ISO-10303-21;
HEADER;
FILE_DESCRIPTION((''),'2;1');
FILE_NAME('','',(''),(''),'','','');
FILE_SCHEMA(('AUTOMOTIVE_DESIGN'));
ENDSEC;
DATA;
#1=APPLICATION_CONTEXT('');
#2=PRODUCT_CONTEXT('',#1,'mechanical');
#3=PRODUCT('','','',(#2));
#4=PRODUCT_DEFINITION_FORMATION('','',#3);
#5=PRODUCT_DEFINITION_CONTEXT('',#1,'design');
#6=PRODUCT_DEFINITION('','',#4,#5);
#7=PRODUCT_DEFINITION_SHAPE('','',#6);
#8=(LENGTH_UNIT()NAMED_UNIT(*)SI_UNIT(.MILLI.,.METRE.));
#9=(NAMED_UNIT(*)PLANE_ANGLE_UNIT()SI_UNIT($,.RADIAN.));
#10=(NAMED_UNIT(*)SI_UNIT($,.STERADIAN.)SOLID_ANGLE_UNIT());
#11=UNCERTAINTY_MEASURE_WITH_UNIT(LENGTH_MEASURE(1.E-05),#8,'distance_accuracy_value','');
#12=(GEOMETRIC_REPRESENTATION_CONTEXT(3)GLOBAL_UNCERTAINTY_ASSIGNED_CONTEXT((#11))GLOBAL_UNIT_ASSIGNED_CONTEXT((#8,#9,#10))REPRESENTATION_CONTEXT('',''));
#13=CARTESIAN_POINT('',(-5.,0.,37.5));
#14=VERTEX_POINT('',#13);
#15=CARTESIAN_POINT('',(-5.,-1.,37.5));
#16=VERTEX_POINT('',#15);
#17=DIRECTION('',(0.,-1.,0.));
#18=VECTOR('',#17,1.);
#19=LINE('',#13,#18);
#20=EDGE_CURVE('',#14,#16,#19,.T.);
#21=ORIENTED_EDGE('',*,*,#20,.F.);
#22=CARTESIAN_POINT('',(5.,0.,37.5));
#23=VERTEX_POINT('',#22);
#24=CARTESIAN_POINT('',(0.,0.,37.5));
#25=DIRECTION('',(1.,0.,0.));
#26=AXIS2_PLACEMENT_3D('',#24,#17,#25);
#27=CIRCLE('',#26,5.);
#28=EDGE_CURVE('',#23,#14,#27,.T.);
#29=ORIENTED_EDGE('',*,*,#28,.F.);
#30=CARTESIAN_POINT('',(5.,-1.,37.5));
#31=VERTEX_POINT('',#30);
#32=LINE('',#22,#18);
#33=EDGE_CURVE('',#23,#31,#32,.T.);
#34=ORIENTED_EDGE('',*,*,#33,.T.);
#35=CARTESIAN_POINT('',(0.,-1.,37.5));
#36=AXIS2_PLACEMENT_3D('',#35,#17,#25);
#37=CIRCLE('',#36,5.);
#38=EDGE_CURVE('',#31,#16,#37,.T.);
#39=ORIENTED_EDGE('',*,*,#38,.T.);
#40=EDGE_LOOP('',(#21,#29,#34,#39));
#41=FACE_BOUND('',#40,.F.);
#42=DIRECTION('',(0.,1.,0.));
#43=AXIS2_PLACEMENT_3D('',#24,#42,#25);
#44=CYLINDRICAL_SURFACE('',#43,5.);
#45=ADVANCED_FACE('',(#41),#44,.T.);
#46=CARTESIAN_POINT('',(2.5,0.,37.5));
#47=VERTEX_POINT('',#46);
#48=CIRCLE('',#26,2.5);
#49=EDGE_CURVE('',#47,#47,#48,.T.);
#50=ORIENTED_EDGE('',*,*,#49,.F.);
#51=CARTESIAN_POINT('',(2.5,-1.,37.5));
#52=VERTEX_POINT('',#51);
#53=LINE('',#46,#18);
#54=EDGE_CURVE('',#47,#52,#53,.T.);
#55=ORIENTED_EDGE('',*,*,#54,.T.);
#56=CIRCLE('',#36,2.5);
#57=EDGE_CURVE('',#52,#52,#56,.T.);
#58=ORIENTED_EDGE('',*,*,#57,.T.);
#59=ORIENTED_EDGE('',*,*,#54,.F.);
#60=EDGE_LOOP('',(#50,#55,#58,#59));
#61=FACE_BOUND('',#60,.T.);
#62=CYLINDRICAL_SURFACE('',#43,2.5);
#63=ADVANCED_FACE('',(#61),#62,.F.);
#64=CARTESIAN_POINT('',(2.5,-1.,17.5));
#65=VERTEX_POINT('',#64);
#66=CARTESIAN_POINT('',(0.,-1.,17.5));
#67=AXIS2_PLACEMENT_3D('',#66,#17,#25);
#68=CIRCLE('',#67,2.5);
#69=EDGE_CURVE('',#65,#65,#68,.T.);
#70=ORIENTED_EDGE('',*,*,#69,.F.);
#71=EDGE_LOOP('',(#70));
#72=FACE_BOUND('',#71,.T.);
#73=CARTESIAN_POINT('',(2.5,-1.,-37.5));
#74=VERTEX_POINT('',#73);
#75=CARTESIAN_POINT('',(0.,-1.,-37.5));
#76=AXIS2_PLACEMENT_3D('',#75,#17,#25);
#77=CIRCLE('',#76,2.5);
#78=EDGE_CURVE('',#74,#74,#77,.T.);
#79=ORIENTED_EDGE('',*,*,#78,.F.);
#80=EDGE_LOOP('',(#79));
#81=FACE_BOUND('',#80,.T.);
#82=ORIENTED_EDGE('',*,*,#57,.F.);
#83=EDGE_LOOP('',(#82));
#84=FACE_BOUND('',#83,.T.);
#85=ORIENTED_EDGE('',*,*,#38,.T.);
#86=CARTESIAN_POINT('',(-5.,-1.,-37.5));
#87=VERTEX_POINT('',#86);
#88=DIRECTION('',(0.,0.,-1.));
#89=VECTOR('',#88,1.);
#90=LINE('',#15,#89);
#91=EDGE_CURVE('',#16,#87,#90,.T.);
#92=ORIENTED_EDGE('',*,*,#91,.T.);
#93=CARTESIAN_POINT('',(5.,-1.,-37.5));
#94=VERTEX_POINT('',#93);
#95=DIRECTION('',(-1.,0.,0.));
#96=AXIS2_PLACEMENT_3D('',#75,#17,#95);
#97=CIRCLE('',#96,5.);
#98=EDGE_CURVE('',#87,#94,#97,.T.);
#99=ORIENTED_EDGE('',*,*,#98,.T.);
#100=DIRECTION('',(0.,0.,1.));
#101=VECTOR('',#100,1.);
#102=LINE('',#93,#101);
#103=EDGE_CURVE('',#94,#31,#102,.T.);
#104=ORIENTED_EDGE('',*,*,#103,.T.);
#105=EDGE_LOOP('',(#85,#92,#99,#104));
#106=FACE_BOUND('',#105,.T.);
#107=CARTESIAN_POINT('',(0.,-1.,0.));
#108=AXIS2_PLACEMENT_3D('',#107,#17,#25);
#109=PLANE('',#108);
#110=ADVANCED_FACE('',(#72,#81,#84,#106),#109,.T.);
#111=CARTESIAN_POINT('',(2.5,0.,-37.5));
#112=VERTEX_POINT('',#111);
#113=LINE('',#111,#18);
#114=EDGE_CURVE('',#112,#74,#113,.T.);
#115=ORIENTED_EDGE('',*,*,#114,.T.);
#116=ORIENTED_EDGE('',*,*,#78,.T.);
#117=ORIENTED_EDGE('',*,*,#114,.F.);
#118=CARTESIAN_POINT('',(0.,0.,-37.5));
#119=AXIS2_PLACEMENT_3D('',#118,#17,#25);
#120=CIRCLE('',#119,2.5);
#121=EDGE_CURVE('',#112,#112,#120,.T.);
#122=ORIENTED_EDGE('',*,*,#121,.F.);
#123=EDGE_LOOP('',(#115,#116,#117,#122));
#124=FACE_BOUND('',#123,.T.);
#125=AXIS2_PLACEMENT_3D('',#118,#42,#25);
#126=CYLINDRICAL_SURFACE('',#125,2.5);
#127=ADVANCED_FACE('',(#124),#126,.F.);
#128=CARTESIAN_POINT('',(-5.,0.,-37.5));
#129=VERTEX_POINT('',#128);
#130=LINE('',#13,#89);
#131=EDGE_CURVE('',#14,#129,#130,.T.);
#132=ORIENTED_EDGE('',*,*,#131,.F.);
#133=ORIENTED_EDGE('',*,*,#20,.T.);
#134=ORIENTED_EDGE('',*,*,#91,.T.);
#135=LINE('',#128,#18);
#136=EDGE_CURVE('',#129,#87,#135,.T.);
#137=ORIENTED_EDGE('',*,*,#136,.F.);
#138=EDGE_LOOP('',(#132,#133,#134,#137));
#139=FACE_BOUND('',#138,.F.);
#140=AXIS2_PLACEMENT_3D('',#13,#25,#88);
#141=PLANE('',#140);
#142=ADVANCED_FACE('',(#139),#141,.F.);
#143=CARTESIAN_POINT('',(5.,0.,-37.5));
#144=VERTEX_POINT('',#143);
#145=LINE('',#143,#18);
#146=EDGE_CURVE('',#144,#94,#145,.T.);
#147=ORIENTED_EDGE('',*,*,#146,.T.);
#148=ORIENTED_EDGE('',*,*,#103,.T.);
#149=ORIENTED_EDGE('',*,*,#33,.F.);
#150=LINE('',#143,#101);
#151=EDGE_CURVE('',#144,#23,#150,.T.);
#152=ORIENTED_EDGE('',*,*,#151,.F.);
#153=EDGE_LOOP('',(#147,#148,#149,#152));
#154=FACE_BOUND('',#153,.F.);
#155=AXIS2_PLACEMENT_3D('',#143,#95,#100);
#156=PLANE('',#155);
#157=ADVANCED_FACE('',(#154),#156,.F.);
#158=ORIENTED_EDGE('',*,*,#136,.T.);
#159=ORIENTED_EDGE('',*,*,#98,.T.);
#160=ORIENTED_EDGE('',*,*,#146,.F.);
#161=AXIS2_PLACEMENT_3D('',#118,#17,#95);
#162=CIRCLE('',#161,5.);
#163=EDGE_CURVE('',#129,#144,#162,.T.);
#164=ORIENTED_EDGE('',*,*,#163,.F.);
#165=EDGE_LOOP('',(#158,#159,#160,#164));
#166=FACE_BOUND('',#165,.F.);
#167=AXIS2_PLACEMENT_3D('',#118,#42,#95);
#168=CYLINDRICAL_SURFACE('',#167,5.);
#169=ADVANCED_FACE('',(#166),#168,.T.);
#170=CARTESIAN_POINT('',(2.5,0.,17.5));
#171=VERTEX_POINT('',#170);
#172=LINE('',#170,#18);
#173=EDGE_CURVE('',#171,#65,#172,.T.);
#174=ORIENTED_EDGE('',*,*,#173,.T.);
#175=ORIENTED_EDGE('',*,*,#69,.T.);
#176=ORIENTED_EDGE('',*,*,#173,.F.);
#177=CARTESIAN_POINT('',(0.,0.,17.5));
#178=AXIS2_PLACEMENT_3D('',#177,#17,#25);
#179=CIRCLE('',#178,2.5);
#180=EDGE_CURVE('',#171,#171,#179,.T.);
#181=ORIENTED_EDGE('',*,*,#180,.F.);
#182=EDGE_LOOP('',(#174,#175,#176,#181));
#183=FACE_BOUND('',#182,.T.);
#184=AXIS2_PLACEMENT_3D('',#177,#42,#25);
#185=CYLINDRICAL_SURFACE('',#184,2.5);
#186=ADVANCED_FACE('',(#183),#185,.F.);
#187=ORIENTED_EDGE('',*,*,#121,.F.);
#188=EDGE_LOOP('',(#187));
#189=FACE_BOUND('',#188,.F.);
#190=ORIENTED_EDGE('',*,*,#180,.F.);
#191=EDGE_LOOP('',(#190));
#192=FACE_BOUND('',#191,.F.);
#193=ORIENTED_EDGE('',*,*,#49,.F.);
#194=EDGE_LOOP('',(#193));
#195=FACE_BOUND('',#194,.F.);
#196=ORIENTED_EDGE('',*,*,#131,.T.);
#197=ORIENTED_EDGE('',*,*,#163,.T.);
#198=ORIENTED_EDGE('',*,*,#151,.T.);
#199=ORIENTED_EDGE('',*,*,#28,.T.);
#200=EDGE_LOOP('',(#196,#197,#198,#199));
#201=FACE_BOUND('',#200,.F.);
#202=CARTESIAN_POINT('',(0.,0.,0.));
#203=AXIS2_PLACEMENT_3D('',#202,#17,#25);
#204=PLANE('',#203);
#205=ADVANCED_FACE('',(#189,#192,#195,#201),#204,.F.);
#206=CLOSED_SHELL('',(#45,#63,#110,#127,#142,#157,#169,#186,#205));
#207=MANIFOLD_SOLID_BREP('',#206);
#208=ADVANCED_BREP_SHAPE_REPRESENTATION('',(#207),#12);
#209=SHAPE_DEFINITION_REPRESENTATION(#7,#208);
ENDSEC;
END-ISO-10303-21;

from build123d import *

# Parameters (mm, degrees)
F0_R     = 2.5
F1_DEPTH = 1


with BuildPart() as f1:
    # F0 (on Front) → F1 (new body)
    with BuildSketch(Plane.XZ):
        with BuildLine():
            Line((5, -37.5), (5, 37.5))
            ThreePointArc((5, 37.5), (0, 42.5), (-5, 37.5))
            Line((-5, 37.5), (-5, -37.5))
            ThreePointArc((-5, -37.5), (0, -42.5), (5, -37.5))
        make_face()
        with Locations((0, -37.5)):
            Circle(F0_R, mode=Mode.SUBTRACT)
        with Locations((0, 17.5)):
            Circle(F0_R, mode=Mode.SUBTRACT)
        with Locations((0, 37.5)):
            Circle(F0_R, mode=Mode.SUBTRACT)
    extrude(amount=F1_DEPTH)


solid = f1.part
